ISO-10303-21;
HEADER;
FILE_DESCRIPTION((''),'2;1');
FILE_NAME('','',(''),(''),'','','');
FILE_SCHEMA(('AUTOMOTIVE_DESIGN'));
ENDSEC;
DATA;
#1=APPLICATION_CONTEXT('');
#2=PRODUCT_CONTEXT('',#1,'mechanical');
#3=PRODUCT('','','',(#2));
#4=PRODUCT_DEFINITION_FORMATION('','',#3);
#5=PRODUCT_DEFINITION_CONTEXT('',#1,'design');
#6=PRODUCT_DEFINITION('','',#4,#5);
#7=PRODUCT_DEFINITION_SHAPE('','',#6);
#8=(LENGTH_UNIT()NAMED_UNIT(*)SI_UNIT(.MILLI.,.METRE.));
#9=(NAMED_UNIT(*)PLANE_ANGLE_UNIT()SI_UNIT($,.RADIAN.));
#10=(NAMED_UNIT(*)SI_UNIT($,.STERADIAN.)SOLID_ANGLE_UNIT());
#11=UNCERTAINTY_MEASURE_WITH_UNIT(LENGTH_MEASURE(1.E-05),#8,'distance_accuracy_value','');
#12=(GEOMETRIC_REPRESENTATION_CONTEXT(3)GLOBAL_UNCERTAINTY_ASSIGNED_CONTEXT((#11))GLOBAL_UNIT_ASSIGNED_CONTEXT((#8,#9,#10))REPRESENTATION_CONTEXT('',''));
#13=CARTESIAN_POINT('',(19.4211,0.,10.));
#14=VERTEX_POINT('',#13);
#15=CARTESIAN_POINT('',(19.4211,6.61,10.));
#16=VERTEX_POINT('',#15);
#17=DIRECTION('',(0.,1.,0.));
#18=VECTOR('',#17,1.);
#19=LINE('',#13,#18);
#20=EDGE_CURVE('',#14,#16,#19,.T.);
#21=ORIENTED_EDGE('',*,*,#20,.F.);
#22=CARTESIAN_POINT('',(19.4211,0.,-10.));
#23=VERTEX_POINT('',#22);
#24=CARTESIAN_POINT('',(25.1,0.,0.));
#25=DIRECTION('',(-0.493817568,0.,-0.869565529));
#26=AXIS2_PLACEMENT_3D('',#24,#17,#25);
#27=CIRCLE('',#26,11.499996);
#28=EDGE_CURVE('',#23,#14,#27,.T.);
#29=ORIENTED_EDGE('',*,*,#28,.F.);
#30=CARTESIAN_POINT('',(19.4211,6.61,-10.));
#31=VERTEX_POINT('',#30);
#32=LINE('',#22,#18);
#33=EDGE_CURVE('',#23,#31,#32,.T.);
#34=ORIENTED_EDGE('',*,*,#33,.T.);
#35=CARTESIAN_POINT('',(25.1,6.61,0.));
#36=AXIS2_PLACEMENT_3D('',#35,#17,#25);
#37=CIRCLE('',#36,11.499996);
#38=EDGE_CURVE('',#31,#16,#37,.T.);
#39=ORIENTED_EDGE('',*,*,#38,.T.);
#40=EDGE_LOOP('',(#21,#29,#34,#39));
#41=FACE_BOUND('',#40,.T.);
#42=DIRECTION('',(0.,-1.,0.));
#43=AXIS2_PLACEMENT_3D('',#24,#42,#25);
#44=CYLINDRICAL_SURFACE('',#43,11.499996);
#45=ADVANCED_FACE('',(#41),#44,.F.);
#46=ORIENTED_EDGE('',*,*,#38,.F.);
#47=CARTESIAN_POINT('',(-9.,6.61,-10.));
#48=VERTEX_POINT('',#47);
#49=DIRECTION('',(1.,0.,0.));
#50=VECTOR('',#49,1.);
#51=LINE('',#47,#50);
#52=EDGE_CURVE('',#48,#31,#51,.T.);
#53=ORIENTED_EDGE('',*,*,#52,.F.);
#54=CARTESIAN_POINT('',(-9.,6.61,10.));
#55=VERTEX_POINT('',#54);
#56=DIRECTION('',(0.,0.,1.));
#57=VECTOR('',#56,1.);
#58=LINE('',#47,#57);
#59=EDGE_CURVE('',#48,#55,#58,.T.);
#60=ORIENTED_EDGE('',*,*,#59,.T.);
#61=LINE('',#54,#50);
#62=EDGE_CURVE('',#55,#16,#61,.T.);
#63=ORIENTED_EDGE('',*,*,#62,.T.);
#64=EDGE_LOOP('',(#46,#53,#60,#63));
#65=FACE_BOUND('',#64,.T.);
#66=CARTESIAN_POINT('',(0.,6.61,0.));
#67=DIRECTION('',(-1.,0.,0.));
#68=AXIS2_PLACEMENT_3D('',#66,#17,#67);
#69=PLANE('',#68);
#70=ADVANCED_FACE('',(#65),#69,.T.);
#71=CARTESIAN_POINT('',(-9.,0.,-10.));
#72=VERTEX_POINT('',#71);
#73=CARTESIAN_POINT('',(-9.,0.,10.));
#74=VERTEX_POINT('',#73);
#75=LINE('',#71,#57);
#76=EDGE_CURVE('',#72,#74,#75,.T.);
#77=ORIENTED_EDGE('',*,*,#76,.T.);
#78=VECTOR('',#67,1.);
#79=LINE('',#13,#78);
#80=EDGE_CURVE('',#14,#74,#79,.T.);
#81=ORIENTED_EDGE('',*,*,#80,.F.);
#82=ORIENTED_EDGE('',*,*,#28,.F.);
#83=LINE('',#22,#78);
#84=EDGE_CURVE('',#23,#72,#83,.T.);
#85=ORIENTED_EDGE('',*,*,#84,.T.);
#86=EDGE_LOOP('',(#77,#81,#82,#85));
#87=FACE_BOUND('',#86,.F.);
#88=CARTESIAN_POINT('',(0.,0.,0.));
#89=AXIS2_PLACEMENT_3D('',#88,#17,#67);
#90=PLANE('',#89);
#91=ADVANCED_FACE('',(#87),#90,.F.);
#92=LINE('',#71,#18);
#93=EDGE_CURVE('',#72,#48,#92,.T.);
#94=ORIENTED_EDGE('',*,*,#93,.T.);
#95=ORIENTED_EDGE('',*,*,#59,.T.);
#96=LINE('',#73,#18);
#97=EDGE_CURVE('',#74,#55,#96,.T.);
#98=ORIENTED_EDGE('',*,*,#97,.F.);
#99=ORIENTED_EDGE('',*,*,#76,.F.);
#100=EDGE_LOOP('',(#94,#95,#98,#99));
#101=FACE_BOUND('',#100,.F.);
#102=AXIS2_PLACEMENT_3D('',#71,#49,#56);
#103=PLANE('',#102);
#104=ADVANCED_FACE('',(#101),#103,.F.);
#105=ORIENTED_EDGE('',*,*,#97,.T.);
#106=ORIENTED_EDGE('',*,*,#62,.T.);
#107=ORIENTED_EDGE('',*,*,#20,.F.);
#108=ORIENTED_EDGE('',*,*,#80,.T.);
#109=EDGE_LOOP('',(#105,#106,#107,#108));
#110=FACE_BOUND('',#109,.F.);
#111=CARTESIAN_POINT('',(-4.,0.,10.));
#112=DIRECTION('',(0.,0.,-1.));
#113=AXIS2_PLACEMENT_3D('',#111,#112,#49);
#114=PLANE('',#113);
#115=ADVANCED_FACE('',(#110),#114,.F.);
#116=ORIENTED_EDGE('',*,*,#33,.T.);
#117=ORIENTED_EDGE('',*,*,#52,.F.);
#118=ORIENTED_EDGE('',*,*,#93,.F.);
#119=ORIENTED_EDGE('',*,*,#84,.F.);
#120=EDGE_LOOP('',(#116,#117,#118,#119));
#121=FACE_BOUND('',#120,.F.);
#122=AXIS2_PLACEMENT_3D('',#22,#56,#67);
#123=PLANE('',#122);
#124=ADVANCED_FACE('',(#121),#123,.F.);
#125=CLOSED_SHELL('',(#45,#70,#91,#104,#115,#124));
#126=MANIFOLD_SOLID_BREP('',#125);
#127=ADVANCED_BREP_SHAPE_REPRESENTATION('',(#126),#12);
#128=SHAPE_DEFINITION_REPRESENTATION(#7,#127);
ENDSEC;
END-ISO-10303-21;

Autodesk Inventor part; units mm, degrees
ref_plane "YZ Plane" through (0, 0, 0) normal (1, 0, 0) x (0, 1, 0)
ref_plane "XZ Plane" through (0, 0, 0) normal (0, 1, 0) x (-1, 0, 0)
ref_plane "XY Plane" through (0, 0, 0) normal (0, 0, 1) x (1, 0, 0)
sketch "Sketch1" plane through (0, 0, 0) normal (0, 1, 0) x (-1, 0, 0)
  line L0 (4, 10) -> (-19.4211, 10)
  line L1 (-19.4211, -10) -> (4, -10)
  line L2 (4, -10) -> (4, 10)
  arc A0 (-19.4211, -10) -> (-19.4211, 10) centre (-25.1, 0) ccw
  line L3 (4, -10) -> (9, -10)
  line L4 (9, -10) -> (9, 10)
  line L5 (9, 10) -> (4, 10)
  line L6 (4, 10) -> (4, -10)
  point P0 (0, 0)
  dimension "d0" = 20
  dimension "d2" = 4
  dimension "d3" = 10
  dimension "d6" = 10
  dimension "d7" = 23
  dimension "d8" = 29.1
  dimension "d11" = 23.4211
  dimension "d12" = 20
  dimension "d13" = 5
extrude "Extrusion1" add sketch "Sketch1" along normal blind 6.61
properties part number "3D_printed_part"
